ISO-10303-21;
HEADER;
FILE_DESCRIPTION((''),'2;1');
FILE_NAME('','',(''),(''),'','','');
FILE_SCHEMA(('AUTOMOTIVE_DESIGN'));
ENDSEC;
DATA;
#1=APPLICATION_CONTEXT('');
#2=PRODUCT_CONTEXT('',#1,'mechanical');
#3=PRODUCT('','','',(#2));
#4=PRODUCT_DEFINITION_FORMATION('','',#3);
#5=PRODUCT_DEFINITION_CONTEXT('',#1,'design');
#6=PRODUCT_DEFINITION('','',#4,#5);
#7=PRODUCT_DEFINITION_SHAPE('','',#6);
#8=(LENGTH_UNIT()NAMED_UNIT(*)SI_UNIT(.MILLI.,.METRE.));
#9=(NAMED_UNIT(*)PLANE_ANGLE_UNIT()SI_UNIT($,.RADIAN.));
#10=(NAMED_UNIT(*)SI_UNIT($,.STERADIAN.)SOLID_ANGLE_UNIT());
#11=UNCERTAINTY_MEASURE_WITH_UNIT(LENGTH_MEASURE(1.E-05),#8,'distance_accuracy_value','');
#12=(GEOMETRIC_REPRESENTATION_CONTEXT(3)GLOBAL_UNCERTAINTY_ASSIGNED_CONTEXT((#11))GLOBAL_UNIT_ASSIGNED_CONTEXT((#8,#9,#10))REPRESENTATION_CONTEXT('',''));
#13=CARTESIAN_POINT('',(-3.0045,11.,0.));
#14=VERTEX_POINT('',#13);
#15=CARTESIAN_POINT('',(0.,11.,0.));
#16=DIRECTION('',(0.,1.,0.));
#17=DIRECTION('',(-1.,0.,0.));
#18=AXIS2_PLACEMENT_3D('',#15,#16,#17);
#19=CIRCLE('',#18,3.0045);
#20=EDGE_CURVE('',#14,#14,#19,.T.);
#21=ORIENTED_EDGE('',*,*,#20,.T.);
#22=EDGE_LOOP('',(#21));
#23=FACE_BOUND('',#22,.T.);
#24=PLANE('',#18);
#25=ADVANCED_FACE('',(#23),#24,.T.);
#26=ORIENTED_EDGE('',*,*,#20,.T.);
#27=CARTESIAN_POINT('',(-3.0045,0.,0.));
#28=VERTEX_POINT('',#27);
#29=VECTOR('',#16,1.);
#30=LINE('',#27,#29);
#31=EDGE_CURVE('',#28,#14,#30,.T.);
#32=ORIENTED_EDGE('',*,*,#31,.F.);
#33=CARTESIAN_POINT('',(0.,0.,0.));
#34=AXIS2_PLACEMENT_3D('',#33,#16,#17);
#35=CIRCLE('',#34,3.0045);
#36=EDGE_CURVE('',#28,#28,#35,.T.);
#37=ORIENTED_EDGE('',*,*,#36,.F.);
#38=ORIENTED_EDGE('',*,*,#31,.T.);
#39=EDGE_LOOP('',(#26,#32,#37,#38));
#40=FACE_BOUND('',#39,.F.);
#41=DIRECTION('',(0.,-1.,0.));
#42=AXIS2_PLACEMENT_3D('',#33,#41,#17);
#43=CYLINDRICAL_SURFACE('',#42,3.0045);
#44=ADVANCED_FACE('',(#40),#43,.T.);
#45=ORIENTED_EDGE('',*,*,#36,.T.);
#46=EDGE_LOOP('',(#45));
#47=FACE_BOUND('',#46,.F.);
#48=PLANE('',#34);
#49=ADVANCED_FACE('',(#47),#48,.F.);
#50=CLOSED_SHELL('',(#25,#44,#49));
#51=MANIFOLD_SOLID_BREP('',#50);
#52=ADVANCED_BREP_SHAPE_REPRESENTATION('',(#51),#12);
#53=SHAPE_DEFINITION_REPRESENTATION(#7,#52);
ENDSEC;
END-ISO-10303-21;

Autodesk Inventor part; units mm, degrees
ref_plane "YZ Plane" through (0, 0, 0) normal (1, 0, 0) x (0, 1, 0)
ref_plane "XZ Plane" through (0, 0, 0) normal (0, 1, 0) x (-1, 0, 0)
ref_plane "XY Plane" through (0, 0, 0) normal (0, 0, 1) x (1, 0, 0)
sketch "Sketch1" plane through (0, 0, 0) normal (0, 1, 0) x (-1, 0, 0)
  circle A0 centre (0, 0) radius 3.0045
  dimension "d0" = 6.009
extrude "Extrusion1" add sketch "Sketch1" along normal blind 11
properties part number "rivet" material "Stainless Steel"
